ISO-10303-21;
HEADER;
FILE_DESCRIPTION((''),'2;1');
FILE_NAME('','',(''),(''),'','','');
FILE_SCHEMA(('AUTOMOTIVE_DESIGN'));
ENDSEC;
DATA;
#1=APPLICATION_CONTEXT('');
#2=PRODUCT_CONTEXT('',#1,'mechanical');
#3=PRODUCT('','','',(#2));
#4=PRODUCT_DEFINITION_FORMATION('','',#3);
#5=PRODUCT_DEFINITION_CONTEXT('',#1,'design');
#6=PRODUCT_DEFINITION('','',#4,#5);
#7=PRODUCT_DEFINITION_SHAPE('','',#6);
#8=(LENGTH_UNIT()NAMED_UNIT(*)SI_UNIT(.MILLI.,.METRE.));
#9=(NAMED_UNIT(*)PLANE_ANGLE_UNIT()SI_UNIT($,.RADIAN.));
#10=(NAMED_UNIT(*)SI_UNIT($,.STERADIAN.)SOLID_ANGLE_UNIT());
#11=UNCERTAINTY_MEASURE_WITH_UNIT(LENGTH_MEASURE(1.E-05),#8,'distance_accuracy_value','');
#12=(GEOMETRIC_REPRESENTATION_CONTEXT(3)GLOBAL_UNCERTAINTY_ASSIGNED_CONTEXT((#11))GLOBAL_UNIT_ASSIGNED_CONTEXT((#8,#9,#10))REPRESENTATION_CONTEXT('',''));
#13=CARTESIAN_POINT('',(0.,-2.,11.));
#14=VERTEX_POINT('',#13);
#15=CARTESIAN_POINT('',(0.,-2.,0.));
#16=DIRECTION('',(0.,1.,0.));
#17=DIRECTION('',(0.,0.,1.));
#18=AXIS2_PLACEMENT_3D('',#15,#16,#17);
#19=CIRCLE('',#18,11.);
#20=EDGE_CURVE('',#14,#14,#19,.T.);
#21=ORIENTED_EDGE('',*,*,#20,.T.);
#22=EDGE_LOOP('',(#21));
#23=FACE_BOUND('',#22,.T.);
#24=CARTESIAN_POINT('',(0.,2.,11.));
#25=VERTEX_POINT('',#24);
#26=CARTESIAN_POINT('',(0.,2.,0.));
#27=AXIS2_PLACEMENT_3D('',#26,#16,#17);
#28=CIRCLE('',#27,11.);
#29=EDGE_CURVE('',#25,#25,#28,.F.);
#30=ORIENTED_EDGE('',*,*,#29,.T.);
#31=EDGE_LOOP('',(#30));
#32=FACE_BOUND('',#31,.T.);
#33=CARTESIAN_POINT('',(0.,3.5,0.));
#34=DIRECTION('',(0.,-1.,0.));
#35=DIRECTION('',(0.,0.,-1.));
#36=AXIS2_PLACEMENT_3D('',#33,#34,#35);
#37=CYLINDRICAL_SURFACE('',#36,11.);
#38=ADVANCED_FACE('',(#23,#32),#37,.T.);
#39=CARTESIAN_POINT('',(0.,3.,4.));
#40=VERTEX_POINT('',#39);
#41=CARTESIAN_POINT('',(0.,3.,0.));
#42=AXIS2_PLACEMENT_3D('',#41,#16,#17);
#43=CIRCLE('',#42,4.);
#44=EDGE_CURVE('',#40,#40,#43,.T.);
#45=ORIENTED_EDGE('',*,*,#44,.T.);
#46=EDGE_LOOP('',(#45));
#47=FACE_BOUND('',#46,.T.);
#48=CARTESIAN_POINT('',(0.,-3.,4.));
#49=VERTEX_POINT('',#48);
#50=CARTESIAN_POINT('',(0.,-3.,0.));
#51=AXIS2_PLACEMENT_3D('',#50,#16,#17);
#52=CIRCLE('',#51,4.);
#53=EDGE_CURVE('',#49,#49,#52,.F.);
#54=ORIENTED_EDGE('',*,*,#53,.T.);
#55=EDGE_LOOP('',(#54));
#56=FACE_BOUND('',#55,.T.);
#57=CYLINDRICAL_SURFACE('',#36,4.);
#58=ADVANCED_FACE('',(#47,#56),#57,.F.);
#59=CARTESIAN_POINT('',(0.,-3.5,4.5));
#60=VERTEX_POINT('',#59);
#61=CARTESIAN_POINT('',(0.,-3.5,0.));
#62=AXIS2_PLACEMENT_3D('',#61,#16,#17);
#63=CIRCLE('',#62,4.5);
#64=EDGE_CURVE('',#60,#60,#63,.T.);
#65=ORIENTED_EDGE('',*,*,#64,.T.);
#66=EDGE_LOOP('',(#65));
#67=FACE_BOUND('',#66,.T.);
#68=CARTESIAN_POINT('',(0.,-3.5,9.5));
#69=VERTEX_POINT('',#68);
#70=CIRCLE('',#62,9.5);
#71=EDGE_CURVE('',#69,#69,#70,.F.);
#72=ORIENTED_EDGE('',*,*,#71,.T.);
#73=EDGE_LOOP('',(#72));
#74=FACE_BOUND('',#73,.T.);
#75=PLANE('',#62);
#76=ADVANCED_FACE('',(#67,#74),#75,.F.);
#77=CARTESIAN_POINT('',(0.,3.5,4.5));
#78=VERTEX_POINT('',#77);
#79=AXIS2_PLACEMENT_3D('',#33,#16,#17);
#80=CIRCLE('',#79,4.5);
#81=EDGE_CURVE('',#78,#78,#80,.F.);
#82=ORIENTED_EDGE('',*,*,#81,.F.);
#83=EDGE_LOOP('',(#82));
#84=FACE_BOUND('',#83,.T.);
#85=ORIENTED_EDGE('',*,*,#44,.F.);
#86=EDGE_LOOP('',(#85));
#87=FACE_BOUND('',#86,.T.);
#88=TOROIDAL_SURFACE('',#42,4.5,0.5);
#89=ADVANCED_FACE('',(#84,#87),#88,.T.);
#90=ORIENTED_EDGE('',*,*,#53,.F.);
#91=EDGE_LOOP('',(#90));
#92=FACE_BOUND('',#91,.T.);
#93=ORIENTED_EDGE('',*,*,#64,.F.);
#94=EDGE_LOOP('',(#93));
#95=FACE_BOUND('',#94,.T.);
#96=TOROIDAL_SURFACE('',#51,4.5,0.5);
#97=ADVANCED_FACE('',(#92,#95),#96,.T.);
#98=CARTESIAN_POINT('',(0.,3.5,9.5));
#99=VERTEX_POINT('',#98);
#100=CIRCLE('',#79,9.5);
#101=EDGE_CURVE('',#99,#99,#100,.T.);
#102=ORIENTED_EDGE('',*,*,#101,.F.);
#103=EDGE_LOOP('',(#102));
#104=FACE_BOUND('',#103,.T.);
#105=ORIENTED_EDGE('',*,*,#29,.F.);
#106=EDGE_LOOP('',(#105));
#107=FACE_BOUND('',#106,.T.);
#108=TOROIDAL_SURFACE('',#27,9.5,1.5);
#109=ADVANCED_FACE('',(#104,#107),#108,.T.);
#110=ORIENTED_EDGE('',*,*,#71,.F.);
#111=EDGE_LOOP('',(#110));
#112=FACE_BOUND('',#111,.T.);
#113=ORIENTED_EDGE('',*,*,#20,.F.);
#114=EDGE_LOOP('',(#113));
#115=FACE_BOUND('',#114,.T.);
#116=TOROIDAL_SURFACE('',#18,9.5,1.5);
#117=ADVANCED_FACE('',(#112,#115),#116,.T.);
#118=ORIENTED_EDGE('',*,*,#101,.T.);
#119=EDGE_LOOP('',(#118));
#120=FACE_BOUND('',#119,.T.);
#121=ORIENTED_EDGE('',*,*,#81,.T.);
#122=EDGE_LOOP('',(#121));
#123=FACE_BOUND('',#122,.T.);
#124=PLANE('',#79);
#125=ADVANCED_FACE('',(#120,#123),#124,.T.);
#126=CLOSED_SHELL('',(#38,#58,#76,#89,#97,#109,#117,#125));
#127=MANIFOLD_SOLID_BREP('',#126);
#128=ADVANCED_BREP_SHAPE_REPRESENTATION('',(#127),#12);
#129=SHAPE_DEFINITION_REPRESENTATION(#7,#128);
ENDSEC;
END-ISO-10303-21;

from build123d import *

# Parameters (mm, degrees)
SKETCH1_R           = 11
SKETCH1_R_2         = 4
BOSS_EXTRUDE1_DEPTH = 3.5
FILLET1_R           = 1.5
FILLET2_R           = 0.5


with BuildPart() as part:
    # Sketch1 → Boss-Extrude1 (new body, symmetric)
    with BuildSketch(Plane(origin=(0, 0, 0), x_dir=(1, 0, 0), z_dir=(0, 1, 0))):
        with Locations(Location((0, 0, 0), (0, 0, 270))):  # turned: the seam where the file's is
            Circle(SKETCH1_R)
        with Locations(Location((0, 0, 0), (0, 0, 270))):  # turned: the seam where the file's is
            Circle(SKETCH1_R_2, mode=Mode.SUBTRACT)
    extrude(amount=BOSS_EXTRUDE1_DEPTH, both=True)

    # Fillet1
    fillet1_edges = [part.edges().sort_by_distance(p)[0] for p in [
        (0, -3.5, -11),
        (0, 3.5, -11),
    ]]
    fillet(fillet1_edges, radius=FILLET1_R)

    # Fillet2
    fillet2_edges = [part.edges().sort_by_distance(p)[0] for p in [
        (0, -3.5, -4),
        (0, 3.5, -4),
    ]]
    fillet(fillet2_edges, radius=FILLET2_R)


solid = part.part
